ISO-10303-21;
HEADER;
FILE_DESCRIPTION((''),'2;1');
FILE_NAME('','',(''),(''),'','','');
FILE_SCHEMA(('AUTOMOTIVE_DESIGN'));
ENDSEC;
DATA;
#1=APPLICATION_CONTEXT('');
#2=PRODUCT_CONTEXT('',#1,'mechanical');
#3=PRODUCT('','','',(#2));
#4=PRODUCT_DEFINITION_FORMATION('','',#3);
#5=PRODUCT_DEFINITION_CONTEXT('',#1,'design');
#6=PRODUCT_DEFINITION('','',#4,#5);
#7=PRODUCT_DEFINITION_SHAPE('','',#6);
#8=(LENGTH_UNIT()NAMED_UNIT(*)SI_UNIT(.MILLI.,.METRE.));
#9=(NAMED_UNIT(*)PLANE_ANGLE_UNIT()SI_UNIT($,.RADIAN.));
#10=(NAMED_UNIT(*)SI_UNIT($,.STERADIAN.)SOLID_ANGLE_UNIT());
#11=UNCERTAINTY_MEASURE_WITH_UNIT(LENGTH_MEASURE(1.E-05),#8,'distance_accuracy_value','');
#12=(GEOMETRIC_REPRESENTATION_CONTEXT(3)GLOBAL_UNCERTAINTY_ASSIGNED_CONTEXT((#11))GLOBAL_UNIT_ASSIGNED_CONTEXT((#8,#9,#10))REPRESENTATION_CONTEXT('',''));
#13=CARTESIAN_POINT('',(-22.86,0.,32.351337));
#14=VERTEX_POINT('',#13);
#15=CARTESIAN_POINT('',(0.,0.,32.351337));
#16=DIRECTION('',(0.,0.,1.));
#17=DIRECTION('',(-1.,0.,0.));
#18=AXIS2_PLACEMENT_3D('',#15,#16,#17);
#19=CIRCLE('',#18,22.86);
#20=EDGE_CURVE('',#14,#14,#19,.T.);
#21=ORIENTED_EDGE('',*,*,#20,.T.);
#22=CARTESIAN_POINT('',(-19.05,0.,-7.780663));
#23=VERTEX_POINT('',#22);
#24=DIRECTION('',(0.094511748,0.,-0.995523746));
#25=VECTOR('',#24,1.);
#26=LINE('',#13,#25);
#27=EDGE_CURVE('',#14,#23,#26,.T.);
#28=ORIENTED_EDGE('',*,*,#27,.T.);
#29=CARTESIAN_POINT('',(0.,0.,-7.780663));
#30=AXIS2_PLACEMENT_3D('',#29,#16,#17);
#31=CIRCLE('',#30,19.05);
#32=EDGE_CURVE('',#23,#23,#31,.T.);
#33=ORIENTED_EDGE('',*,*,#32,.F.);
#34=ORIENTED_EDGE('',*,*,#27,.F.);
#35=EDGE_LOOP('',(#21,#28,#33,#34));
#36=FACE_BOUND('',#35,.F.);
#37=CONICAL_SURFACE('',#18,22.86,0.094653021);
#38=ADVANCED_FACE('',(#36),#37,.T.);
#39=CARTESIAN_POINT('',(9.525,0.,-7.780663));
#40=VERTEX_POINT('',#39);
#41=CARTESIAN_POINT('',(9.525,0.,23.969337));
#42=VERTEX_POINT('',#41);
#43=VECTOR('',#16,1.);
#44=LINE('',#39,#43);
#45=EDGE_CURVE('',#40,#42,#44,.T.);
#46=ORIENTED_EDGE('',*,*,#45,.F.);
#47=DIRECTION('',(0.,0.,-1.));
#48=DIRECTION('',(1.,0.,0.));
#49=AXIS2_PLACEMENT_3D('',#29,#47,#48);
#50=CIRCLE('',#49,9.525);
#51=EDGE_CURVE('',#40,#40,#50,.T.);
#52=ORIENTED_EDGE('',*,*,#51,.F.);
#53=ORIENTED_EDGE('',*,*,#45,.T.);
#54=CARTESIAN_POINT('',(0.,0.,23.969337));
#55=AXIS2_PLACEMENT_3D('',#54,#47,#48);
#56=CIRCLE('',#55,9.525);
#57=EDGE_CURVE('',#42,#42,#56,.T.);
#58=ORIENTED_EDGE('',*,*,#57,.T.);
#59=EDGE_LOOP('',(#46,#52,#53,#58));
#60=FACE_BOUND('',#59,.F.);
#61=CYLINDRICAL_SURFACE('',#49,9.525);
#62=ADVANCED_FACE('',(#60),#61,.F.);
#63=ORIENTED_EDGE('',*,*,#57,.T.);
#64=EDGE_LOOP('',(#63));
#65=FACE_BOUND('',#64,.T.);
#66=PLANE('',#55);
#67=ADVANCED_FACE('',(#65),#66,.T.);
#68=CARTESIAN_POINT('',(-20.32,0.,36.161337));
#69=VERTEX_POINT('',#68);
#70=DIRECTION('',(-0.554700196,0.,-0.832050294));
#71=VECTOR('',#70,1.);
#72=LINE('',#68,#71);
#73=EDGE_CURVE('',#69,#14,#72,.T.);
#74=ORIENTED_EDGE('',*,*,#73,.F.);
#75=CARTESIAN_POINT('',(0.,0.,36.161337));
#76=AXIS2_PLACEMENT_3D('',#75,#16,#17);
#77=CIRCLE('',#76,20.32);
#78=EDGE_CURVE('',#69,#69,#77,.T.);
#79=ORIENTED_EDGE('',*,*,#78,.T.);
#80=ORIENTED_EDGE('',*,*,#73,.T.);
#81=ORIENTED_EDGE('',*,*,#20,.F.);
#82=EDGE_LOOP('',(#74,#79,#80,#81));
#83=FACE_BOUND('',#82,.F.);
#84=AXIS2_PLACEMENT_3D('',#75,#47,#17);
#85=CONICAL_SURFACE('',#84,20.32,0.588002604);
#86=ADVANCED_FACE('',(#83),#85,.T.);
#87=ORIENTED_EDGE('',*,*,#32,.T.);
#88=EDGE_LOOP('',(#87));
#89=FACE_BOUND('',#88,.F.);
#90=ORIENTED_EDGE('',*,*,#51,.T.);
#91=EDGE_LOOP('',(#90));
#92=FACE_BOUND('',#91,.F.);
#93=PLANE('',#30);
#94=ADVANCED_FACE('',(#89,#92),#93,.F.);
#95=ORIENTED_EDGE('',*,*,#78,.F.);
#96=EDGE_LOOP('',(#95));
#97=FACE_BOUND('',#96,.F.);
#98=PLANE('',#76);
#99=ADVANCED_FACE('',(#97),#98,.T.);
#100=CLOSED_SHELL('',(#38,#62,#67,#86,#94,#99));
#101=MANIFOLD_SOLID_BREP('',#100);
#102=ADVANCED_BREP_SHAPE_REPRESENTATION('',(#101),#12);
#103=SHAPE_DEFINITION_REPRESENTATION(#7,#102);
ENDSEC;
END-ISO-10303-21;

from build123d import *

# Parameters (mm, degrees)
F2_R     = 9.525
F3_DEPTH = 31.75


with BuildPart() as f1:
    # F0 (on Front) → F1 (revolve)
    with BuildSketch(Plane.XZ):
        Polygon((0, -7.780663), (0, 36.161337), (-20.32, 36.161337), (-22.86, 32.351337), (-19.05, -7.780663), align=None)
    revolve(axis=Axis((0, 0, 14.190337), (0, 0, 1)))

    # F2 (on face) → F3 (cut)
    with BuildSketch(Plane(origin=(0, 0, -7.780663), x_dir=(1, 0, 0), z_dir=(0, 0, -1))):
        Circle(F2_R)
    extrude(amount=-F3_DEPTH, mode=Mode.SUBTRACT)


solid = f1.part
